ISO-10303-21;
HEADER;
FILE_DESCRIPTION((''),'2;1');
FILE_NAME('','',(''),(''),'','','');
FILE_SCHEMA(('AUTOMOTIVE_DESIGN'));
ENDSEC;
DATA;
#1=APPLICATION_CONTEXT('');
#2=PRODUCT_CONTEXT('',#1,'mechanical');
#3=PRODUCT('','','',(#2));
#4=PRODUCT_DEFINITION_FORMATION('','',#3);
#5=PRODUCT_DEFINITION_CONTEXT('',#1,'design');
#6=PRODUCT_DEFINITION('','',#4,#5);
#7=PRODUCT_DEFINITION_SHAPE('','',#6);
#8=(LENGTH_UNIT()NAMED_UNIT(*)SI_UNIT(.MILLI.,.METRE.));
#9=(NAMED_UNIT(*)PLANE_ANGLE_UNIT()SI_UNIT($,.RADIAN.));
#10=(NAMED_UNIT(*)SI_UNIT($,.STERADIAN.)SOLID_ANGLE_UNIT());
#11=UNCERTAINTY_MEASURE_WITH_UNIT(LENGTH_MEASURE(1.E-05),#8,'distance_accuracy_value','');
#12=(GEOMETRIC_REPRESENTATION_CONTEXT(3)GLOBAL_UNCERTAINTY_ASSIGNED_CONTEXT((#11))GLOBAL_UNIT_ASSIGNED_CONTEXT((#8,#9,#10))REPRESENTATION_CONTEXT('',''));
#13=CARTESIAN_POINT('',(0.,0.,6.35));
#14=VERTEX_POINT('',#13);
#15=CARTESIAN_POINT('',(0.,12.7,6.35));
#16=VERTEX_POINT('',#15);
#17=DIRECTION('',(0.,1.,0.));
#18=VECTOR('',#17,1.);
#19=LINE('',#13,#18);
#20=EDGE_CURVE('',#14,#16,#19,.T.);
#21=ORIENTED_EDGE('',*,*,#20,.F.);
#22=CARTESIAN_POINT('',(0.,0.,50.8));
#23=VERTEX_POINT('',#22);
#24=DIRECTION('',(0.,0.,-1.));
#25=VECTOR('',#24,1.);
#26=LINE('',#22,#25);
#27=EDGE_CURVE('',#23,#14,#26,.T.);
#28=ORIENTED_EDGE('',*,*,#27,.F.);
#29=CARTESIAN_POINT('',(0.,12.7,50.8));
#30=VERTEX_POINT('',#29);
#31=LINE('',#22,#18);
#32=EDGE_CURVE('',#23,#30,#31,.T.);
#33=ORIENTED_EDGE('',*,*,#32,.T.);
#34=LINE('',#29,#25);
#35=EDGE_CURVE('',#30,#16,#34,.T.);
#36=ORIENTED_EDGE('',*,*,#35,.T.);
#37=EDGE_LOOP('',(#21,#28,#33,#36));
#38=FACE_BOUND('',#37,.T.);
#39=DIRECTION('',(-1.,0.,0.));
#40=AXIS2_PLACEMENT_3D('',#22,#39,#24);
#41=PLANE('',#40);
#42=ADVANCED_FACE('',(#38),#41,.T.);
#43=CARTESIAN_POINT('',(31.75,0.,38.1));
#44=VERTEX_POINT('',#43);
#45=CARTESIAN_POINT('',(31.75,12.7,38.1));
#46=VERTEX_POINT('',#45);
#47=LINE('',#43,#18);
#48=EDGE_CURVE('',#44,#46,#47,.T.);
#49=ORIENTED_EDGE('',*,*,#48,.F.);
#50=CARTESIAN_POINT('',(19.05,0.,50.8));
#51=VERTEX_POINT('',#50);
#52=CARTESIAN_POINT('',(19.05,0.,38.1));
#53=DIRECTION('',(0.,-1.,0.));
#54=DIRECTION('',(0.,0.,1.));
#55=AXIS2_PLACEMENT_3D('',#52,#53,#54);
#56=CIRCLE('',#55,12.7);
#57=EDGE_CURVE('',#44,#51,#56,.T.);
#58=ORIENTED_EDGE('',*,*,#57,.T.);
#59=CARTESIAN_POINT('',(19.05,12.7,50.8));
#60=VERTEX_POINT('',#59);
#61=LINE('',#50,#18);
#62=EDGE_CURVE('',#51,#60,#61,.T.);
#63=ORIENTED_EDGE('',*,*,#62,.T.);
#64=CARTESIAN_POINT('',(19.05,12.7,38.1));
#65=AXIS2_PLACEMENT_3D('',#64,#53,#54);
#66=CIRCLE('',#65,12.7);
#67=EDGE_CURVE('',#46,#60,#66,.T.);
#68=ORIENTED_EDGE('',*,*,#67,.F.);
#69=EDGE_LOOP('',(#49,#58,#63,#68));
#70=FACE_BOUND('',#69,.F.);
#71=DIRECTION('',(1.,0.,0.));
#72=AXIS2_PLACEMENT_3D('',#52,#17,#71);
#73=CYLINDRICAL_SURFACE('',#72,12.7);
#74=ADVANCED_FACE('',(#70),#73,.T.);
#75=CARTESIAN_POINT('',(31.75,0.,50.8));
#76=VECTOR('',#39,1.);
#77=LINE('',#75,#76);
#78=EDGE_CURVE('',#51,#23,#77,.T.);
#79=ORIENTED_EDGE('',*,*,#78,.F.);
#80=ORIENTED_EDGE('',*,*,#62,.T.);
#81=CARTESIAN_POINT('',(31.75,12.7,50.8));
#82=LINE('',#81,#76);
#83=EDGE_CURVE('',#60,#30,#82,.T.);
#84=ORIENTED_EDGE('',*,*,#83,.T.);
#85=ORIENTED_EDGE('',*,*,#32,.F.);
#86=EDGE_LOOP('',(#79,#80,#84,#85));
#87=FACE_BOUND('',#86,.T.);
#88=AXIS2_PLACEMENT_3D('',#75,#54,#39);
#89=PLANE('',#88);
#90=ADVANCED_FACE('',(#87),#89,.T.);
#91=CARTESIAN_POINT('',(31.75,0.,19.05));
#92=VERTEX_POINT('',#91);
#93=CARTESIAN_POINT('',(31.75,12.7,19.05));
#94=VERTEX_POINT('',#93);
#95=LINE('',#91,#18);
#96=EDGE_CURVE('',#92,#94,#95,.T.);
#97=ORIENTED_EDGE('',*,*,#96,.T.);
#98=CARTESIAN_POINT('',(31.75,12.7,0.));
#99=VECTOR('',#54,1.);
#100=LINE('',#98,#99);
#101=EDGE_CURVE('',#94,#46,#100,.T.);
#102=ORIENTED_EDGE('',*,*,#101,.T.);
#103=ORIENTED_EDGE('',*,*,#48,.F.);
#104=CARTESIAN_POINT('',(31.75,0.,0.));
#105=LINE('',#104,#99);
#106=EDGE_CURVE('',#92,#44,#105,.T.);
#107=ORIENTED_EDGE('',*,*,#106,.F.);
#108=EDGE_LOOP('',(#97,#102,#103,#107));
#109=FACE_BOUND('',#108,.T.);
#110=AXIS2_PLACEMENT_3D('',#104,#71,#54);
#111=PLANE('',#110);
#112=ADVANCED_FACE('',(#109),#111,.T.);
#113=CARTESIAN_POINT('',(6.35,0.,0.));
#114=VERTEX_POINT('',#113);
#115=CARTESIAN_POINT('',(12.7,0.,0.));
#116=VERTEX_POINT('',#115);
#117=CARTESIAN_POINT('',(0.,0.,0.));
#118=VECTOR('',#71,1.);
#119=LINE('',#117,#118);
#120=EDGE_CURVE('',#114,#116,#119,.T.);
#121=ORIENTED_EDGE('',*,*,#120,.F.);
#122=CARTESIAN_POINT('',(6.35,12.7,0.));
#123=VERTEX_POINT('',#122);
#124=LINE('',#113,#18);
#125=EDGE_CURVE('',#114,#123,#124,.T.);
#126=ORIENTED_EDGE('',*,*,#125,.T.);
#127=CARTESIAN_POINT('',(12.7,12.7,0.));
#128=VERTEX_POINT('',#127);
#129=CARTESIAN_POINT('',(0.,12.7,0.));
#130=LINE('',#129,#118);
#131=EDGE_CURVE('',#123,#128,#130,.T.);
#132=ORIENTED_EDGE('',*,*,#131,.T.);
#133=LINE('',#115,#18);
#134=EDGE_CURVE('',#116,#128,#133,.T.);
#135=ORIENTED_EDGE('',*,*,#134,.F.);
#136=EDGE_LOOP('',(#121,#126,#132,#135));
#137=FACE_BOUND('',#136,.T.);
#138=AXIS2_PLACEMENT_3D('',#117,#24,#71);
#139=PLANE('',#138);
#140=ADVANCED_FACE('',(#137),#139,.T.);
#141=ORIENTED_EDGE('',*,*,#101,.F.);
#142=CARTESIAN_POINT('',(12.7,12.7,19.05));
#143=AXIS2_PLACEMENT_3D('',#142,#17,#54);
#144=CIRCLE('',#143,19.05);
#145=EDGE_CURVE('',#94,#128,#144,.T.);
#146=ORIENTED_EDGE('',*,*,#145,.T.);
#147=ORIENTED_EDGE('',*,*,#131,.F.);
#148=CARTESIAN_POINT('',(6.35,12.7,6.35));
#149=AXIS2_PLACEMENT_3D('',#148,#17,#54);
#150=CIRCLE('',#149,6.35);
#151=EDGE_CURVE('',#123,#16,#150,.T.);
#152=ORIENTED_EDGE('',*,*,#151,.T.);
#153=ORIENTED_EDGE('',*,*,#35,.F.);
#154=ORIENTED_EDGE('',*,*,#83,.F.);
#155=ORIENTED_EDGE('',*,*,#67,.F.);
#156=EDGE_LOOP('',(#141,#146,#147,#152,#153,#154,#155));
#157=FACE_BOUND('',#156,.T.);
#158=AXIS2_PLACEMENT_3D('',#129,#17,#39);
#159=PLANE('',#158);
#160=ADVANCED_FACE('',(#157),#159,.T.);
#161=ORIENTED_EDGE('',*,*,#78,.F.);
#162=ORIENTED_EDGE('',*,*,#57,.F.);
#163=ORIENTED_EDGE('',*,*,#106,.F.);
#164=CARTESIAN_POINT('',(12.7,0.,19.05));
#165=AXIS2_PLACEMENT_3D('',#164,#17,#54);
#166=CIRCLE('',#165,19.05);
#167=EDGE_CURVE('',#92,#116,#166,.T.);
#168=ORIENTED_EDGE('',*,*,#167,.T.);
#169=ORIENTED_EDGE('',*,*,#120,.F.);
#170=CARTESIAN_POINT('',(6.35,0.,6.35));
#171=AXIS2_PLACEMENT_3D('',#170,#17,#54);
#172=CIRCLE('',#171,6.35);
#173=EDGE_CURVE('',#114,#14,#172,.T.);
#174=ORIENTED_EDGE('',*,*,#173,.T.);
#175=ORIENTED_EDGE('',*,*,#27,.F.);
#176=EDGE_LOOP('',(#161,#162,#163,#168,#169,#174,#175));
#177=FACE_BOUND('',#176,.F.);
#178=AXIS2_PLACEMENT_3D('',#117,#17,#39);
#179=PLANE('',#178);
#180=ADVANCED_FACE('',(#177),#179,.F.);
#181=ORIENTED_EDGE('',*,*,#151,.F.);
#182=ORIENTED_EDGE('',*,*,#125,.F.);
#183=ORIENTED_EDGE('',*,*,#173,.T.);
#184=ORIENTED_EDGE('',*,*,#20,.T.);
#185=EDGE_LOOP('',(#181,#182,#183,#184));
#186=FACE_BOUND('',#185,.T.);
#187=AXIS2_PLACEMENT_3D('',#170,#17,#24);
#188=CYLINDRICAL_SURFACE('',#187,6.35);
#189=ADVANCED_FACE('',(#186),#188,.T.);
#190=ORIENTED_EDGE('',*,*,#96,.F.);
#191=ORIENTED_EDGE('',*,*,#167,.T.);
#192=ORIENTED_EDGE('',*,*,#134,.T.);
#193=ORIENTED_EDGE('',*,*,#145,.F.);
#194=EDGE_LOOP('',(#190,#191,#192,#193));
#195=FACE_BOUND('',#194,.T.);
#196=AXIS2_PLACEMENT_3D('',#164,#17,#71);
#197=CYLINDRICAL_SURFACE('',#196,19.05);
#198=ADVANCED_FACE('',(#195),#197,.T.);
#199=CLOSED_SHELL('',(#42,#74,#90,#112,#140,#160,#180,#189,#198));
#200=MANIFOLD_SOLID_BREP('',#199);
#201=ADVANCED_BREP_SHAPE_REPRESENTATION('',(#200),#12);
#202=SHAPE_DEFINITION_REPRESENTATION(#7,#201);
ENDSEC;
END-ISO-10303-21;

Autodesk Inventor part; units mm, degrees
ref_plane "YZ Plane" through (0, 0, 0) normal (1, 0, 0) x (0, 1, 0)
ref_plane "XZ Plane" through (0, 0, 0) normal (0, 1, 0) x (-1, 0, 0)
ref_plane "XY Plane" through (0, 0, 0) normal (0, 0, 1) x (1, 0, 0)
sketch "Sketch1" plane through (0, 0, 0) normal (0, 1, 0) x (-1, 0, 0)
  line L0 (0, 0) -> (-31.75, 0)
  line L1 (-31.75, 0) -> (-31.75, 50.8)
  line L2 (-31.75, 50.8) -> (0, 50.8)
  line L3 (0, 50.8) -> (0, 0)
  dimension "d0" = 31.75
  dimension "d1" = 50.8
extrude "Extrusion1" add sketch "Sketch1" along normal blind 12.7
fillet "Fillet1" radius 6.35 1 edges at (0, 6.35, 0)
fillet "Fillet2" radius 12.7 1 edges at (31.75, 6.35, 50.8)
fillet "Fillet3" radius 19.05 1 edges at (31.75, 6.35, 0)
properties part number "Practice1"
